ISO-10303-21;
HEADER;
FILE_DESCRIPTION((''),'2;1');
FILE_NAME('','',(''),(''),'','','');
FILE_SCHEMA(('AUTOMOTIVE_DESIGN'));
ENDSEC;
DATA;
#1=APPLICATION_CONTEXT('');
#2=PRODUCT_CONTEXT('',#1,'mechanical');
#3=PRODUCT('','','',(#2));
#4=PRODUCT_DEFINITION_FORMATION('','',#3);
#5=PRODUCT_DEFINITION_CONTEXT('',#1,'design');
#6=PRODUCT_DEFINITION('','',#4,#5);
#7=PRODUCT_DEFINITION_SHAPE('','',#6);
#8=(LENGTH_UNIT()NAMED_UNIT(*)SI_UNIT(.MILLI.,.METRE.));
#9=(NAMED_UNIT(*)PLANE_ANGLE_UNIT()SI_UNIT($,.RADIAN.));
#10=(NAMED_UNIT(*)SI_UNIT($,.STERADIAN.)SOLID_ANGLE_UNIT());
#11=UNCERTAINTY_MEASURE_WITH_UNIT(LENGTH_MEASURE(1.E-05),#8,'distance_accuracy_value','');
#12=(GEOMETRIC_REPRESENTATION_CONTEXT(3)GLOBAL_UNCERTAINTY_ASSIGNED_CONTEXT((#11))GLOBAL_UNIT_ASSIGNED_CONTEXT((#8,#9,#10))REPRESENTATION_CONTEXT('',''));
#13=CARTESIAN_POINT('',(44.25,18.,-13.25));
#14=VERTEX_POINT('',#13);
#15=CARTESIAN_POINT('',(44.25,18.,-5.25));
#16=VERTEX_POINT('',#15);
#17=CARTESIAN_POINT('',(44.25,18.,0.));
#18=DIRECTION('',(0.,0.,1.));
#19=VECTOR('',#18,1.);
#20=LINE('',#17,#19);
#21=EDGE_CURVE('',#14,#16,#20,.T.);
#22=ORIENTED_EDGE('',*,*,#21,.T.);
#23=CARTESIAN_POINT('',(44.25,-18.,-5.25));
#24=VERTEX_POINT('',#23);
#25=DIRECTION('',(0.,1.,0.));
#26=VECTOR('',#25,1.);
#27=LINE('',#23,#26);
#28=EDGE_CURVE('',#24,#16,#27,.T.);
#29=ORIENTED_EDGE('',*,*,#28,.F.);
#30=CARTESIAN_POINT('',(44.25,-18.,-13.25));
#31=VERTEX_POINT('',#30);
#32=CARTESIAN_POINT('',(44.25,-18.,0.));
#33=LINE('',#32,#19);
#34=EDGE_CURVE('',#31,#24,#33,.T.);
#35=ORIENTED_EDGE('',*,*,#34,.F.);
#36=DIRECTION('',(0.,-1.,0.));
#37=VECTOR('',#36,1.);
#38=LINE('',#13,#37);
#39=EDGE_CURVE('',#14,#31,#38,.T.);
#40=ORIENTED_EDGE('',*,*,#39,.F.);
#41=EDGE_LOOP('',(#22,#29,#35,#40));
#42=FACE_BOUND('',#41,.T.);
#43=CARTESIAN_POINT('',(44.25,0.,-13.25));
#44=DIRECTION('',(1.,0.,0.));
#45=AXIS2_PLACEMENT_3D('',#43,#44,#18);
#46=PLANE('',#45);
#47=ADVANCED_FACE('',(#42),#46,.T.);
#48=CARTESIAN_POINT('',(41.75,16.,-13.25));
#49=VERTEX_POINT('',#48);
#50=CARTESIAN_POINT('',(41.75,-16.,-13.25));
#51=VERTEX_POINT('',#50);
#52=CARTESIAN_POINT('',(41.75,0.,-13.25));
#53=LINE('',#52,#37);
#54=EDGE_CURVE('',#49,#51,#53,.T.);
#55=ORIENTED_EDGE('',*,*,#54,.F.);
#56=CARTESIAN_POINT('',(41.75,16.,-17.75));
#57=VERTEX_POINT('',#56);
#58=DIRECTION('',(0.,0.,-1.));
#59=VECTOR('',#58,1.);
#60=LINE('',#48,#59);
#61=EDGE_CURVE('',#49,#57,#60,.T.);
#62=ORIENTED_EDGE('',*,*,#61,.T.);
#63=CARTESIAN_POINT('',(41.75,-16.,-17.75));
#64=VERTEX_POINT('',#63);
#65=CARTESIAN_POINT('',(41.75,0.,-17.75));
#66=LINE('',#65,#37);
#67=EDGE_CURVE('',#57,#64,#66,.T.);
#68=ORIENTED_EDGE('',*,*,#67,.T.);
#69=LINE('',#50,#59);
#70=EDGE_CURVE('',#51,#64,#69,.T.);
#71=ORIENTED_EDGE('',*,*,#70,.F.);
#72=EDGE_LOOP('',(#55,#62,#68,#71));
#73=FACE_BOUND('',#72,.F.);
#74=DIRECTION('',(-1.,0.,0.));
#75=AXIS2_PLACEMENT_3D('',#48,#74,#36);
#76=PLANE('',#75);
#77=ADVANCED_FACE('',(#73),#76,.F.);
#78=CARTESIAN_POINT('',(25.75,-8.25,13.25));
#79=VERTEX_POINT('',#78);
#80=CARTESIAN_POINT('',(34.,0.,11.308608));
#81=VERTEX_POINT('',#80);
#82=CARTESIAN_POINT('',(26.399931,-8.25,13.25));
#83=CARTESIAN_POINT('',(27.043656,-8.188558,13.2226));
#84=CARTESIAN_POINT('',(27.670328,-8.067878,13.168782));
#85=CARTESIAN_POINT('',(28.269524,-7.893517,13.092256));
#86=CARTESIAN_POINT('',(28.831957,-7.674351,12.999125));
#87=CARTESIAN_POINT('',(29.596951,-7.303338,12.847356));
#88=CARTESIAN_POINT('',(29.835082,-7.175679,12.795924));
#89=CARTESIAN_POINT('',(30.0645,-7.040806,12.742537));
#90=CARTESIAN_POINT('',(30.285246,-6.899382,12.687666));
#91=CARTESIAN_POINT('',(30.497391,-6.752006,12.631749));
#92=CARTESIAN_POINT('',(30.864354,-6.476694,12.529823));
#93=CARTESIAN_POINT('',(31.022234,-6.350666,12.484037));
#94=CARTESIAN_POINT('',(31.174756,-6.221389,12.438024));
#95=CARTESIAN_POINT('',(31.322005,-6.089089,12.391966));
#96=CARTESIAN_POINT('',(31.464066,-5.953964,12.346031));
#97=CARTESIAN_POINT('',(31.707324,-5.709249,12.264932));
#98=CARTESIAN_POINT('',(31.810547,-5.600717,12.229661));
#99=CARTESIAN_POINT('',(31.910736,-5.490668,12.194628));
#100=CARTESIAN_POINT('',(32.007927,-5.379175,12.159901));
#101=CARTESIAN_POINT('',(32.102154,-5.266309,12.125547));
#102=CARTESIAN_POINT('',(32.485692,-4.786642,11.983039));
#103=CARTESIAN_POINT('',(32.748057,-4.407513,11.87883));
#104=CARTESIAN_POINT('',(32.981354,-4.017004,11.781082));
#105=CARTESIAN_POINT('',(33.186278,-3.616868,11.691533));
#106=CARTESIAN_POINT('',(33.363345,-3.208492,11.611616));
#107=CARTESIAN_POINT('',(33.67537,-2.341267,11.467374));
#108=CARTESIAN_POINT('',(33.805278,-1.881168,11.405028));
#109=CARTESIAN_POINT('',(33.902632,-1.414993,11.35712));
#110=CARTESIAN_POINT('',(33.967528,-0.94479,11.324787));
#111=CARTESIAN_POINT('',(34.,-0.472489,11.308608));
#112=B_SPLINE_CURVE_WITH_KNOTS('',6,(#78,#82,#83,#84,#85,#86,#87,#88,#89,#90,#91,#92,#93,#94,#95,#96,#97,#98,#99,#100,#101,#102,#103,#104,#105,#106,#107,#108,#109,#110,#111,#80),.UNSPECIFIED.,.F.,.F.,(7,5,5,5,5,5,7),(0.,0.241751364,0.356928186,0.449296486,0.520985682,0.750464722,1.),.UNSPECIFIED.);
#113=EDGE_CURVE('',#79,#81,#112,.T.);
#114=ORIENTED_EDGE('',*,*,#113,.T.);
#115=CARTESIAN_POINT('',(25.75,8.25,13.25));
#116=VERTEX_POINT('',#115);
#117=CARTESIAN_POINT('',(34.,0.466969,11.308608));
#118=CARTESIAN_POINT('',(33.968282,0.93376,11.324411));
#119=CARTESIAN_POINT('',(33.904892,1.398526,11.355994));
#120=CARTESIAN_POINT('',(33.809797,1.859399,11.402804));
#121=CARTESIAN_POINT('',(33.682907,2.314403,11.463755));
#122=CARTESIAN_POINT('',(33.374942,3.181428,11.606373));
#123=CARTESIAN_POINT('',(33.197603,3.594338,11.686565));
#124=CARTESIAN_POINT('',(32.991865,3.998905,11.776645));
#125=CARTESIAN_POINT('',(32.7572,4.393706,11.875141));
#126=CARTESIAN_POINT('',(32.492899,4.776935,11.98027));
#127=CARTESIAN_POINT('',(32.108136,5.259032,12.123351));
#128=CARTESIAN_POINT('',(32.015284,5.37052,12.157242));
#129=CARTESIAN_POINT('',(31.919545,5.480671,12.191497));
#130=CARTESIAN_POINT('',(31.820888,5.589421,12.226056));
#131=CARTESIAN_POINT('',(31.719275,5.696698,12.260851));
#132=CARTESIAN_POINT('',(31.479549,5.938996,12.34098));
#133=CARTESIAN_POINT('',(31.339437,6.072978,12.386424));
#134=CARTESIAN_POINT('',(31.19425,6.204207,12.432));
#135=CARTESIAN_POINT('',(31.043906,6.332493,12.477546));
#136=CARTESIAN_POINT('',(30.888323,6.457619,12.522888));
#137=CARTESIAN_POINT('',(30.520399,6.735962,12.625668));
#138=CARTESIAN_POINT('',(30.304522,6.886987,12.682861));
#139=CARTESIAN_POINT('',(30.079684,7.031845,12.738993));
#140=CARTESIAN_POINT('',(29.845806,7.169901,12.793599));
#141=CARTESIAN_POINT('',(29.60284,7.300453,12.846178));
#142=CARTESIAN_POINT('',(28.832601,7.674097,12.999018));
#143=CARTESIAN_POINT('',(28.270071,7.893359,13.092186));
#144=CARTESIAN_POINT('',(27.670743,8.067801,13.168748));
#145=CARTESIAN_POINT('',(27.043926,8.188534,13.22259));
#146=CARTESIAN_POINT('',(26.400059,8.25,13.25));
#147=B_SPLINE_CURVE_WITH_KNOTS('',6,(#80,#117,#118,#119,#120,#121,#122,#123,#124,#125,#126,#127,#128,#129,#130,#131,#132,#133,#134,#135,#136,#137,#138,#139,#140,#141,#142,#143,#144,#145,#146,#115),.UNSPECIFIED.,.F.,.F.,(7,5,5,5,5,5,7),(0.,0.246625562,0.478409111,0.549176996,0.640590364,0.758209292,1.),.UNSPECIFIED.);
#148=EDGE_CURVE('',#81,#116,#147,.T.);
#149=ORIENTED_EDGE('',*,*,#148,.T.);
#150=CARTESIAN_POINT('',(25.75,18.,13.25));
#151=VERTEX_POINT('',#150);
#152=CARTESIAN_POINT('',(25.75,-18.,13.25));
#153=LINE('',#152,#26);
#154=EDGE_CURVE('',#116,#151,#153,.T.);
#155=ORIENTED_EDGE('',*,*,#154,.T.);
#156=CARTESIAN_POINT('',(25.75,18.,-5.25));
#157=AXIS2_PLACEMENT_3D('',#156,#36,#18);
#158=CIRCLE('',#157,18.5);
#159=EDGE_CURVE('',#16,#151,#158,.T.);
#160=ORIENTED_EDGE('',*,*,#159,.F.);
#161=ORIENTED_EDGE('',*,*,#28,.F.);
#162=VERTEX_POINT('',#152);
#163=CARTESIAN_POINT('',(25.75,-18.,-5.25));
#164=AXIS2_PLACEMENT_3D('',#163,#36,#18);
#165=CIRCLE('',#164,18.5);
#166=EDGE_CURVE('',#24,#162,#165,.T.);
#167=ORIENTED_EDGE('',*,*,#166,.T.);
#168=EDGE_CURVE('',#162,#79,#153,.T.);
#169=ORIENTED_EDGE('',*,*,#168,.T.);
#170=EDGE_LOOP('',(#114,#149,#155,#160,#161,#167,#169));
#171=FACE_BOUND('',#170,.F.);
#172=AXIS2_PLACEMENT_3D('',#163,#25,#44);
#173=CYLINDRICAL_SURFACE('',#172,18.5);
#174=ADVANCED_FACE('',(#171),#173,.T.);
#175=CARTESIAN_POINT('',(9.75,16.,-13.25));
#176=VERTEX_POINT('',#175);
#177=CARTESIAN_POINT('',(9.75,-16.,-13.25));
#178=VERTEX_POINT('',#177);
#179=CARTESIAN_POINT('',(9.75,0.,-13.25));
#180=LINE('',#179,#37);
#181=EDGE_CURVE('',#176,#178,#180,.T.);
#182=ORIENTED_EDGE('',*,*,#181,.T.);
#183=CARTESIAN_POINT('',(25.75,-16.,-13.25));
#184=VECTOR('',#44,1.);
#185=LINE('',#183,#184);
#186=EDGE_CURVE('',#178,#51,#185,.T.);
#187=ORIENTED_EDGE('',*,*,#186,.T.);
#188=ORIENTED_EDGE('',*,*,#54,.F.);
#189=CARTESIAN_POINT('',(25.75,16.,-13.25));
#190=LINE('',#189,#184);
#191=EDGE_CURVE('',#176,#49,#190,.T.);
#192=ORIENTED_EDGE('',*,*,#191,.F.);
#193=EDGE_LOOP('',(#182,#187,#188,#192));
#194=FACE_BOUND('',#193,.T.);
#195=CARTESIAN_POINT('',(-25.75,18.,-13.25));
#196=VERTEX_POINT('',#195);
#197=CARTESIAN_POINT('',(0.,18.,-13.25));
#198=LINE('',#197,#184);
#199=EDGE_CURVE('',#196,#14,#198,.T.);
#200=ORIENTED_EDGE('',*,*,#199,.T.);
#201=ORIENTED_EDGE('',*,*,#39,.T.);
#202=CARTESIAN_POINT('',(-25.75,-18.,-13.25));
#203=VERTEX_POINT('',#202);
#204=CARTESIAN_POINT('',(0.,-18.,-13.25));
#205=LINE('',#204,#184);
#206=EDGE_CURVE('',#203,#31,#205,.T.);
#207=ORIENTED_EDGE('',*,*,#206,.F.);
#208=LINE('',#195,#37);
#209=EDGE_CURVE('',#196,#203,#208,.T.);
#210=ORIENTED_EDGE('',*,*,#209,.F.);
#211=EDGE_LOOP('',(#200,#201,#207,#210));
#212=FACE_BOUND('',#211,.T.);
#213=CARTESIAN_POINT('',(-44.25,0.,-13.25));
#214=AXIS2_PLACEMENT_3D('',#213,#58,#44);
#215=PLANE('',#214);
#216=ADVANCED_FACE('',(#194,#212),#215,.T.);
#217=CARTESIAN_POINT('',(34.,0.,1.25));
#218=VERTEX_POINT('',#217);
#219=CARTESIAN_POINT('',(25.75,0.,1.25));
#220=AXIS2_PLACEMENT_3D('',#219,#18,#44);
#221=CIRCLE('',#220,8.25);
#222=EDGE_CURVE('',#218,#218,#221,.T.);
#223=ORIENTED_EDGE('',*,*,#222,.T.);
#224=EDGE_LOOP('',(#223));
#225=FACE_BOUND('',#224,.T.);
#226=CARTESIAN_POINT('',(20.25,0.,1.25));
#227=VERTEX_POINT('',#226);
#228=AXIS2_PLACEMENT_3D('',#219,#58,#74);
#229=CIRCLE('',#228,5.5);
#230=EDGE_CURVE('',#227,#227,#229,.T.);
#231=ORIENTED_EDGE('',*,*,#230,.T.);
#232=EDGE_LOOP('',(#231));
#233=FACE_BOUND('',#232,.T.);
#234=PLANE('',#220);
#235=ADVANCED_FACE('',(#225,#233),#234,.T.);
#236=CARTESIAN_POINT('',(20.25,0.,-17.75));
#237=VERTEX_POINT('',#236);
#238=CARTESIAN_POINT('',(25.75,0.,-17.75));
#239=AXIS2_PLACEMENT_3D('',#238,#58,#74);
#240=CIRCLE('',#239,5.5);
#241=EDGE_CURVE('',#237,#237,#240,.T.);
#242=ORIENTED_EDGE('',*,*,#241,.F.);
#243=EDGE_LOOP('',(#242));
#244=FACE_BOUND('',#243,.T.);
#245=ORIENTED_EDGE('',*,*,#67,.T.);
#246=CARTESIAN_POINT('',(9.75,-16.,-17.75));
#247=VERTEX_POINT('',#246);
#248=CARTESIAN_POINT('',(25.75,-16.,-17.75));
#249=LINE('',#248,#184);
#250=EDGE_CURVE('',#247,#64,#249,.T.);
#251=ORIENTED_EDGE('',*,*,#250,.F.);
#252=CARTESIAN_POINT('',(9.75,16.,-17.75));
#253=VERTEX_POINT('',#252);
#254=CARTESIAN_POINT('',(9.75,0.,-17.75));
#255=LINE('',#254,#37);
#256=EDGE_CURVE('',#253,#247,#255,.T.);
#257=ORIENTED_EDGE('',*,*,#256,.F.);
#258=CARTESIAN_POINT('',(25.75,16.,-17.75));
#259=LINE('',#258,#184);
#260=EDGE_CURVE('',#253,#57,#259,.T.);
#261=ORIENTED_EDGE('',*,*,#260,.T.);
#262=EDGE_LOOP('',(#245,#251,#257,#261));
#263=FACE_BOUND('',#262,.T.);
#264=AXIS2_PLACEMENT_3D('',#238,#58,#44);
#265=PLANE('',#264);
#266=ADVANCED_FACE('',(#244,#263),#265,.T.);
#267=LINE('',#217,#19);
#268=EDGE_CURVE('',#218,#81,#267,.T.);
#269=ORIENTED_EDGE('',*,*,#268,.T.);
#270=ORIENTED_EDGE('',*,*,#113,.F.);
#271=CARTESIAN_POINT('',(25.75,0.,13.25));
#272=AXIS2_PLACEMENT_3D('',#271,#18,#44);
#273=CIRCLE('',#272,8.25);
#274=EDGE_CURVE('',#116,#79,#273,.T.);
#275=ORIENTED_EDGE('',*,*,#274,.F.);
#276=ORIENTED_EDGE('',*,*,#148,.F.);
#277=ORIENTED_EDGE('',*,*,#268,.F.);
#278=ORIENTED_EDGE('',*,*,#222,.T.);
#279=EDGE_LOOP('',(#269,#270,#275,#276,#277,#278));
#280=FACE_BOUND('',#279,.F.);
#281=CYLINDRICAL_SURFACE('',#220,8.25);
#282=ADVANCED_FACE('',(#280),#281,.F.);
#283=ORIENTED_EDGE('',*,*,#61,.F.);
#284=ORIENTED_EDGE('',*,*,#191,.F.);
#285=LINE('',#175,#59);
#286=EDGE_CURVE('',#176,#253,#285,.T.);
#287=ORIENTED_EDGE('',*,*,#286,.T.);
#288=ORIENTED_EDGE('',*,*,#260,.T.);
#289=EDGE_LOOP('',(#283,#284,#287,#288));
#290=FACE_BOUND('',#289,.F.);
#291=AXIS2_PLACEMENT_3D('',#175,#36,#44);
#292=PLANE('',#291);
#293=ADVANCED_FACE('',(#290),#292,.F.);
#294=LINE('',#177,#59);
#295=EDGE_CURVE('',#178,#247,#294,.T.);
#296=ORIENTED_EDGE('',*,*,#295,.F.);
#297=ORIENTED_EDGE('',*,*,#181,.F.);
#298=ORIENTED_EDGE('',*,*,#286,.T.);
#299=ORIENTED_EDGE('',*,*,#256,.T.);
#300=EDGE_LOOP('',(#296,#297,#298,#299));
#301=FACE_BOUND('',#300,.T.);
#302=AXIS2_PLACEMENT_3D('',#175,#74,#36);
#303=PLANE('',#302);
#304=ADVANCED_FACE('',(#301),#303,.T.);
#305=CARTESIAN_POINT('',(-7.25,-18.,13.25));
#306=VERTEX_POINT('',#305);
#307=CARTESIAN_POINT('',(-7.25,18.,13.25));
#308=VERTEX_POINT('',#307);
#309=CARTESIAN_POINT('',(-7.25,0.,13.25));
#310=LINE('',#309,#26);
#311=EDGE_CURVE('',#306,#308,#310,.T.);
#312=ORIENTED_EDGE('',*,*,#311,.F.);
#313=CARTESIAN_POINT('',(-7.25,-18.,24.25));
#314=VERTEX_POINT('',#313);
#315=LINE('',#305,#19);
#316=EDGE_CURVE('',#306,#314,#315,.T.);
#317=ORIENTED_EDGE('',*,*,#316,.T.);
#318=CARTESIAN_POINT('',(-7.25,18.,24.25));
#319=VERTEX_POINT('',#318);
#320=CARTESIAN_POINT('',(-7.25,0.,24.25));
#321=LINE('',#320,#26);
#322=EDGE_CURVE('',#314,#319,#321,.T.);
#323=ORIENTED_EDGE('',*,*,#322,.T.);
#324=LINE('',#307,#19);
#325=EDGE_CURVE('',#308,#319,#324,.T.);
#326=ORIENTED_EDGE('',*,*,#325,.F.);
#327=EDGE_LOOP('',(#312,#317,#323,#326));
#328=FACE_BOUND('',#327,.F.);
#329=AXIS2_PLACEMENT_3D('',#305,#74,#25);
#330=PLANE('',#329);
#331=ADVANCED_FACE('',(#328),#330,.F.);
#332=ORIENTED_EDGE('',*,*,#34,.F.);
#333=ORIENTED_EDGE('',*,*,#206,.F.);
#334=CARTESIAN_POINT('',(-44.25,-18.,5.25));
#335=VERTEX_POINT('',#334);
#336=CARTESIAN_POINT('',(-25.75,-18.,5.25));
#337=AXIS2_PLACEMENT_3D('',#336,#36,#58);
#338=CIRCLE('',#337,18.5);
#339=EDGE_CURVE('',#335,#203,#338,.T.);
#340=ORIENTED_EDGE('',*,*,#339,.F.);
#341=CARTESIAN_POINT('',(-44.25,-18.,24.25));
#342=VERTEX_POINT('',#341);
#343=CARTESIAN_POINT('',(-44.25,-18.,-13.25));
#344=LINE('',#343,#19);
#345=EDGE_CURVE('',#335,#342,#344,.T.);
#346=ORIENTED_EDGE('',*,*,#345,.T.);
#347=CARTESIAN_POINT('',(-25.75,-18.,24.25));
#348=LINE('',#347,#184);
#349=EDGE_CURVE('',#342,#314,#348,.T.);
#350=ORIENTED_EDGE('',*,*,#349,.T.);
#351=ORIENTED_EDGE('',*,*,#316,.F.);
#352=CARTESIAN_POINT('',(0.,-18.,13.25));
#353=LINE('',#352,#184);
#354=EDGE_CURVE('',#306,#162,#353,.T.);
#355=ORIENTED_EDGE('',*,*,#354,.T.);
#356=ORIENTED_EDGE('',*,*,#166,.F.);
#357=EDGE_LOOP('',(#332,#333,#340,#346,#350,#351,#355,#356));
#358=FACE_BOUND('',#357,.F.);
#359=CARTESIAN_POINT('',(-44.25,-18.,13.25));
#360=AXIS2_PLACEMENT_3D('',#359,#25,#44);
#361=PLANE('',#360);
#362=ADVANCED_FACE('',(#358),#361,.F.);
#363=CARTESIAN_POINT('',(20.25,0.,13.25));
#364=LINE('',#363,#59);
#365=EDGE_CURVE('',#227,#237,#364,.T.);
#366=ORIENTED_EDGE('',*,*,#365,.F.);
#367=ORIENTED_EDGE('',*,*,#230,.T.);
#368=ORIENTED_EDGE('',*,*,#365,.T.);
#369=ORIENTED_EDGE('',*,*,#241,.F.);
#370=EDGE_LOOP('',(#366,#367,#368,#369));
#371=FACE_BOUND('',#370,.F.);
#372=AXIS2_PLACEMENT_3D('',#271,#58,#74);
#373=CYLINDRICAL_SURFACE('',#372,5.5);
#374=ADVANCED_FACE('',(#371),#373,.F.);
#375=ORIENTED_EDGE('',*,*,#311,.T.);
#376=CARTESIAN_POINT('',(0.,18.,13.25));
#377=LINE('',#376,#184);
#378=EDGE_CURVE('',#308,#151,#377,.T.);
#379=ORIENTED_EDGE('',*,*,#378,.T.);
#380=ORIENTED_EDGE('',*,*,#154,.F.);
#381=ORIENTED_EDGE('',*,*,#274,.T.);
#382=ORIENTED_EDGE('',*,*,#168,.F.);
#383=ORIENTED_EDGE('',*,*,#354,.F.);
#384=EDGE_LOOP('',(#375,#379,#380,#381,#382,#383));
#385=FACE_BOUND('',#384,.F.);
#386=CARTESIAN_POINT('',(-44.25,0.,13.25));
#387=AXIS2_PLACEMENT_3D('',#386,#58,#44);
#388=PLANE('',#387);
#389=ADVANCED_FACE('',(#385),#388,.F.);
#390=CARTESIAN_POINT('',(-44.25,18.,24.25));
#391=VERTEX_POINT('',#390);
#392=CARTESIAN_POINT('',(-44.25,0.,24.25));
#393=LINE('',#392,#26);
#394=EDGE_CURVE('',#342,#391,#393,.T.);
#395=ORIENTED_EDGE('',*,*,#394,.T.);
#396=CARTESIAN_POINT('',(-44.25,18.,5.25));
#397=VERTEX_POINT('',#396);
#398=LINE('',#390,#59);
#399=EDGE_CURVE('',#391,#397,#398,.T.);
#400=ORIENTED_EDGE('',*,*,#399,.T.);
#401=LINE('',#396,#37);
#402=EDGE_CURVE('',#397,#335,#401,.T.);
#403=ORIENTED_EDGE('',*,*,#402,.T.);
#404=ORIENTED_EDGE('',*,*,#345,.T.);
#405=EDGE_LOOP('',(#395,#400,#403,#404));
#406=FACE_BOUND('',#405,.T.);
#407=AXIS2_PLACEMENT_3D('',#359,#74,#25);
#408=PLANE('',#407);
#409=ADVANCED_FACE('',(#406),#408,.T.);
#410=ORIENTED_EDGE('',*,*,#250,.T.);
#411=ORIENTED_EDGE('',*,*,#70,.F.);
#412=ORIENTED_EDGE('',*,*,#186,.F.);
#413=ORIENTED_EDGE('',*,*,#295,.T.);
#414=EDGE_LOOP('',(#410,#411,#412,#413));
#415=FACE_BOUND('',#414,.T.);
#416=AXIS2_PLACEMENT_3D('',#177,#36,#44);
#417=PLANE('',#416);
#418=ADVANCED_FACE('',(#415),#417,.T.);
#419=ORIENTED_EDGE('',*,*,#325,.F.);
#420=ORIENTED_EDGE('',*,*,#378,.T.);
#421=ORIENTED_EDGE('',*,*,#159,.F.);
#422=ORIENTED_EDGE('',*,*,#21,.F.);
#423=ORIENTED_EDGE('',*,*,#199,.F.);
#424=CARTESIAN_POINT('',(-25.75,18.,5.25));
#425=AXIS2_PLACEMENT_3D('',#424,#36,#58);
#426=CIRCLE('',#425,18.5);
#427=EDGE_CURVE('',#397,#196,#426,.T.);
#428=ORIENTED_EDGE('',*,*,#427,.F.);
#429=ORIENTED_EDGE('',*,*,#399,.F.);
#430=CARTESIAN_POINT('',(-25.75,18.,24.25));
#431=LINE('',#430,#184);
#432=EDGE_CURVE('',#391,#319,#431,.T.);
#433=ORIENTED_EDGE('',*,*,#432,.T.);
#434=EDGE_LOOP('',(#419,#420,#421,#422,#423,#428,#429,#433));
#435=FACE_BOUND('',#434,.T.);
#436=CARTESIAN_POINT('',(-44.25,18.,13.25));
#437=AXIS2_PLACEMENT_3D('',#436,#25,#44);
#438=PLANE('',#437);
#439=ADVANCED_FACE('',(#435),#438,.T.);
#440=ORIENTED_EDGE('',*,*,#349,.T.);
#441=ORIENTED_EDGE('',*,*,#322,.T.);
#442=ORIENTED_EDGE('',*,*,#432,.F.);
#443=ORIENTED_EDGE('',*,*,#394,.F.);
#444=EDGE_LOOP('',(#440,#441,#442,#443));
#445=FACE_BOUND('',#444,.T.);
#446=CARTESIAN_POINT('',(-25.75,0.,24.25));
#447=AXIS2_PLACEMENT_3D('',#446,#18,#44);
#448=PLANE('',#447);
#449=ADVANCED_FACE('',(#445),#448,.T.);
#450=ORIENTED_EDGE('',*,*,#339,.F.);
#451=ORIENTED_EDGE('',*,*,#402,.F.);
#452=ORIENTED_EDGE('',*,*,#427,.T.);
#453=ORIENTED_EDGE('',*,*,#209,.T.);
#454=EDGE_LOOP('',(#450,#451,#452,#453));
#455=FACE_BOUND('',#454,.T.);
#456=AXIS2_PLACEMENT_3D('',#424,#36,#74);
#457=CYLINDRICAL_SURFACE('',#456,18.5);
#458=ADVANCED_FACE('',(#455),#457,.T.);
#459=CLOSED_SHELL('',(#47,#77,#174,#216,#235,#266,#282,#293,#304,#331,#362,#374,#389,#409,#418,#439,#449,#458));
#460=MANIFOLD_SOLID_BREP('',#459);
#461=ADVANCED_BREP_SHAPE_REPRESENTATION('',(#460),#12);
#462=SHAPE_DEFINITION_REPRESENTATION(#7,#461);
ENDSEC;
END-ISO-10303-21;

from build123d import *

# Parameters (mm, degrees)
F0_W           = 88.5
F0_H           = 26.5
F1_DEPTH       = 18
F2_W           = 37
F2_H           = 36
F3_DEPTH       = 11
F4_R           = 18.5
F6_W           = 32
F6_H           = 32
F7_DEPTH       = 4.5
F8_D           = 11
F8_CBORE_D     = 16.5
F8_CBORE_DEPTH = 12


with BuildPart() as f1:
    # F0 (on Front) → F1 (new body, symmetric)
    with BuildSketch(Plane.XZ):
        Rectangle(F0_W, F0_H)
    extrude(amount=F1_DEPTH, both=True)

    # F2 (on face) → F3 (join)
    with BuildSketch(Plane.XY.offset(13.25)):
        with Locations((-25.75, 0)):
            Rectangle(F2_W, F2_H)
    extrude(amount=F3_DEPTH)

    # F4
    f4_edges = [f1.edges().sort_by_distance(p)[0] for p in [
        (44.25, 0, 13.25),
        (-44.25, 0, -13.25),
    ]]
    fillet(f4_edges, radius=F4_R)

    # F6 (on face) → F7 (join)
    with BuildSketch(Plane(origin=(0, 0, -13.25), x_dir=(1, 0, 0), z_dir=(0, 0, -1))):
        with Locations((25.75, 0)):
            Rectangle(F6_W, F6_H)
    extrude(amount=F7_DEPTH)

    # F8 (through all)
    with Locations(Plane.XY.offset(13.25)):
        with Locations((25.75, 0)):
            CounterBoreHole(F8_D / 2, F8_CBORE_D / 2, F8_CBORE_DEPTH)


solid = f1.part
